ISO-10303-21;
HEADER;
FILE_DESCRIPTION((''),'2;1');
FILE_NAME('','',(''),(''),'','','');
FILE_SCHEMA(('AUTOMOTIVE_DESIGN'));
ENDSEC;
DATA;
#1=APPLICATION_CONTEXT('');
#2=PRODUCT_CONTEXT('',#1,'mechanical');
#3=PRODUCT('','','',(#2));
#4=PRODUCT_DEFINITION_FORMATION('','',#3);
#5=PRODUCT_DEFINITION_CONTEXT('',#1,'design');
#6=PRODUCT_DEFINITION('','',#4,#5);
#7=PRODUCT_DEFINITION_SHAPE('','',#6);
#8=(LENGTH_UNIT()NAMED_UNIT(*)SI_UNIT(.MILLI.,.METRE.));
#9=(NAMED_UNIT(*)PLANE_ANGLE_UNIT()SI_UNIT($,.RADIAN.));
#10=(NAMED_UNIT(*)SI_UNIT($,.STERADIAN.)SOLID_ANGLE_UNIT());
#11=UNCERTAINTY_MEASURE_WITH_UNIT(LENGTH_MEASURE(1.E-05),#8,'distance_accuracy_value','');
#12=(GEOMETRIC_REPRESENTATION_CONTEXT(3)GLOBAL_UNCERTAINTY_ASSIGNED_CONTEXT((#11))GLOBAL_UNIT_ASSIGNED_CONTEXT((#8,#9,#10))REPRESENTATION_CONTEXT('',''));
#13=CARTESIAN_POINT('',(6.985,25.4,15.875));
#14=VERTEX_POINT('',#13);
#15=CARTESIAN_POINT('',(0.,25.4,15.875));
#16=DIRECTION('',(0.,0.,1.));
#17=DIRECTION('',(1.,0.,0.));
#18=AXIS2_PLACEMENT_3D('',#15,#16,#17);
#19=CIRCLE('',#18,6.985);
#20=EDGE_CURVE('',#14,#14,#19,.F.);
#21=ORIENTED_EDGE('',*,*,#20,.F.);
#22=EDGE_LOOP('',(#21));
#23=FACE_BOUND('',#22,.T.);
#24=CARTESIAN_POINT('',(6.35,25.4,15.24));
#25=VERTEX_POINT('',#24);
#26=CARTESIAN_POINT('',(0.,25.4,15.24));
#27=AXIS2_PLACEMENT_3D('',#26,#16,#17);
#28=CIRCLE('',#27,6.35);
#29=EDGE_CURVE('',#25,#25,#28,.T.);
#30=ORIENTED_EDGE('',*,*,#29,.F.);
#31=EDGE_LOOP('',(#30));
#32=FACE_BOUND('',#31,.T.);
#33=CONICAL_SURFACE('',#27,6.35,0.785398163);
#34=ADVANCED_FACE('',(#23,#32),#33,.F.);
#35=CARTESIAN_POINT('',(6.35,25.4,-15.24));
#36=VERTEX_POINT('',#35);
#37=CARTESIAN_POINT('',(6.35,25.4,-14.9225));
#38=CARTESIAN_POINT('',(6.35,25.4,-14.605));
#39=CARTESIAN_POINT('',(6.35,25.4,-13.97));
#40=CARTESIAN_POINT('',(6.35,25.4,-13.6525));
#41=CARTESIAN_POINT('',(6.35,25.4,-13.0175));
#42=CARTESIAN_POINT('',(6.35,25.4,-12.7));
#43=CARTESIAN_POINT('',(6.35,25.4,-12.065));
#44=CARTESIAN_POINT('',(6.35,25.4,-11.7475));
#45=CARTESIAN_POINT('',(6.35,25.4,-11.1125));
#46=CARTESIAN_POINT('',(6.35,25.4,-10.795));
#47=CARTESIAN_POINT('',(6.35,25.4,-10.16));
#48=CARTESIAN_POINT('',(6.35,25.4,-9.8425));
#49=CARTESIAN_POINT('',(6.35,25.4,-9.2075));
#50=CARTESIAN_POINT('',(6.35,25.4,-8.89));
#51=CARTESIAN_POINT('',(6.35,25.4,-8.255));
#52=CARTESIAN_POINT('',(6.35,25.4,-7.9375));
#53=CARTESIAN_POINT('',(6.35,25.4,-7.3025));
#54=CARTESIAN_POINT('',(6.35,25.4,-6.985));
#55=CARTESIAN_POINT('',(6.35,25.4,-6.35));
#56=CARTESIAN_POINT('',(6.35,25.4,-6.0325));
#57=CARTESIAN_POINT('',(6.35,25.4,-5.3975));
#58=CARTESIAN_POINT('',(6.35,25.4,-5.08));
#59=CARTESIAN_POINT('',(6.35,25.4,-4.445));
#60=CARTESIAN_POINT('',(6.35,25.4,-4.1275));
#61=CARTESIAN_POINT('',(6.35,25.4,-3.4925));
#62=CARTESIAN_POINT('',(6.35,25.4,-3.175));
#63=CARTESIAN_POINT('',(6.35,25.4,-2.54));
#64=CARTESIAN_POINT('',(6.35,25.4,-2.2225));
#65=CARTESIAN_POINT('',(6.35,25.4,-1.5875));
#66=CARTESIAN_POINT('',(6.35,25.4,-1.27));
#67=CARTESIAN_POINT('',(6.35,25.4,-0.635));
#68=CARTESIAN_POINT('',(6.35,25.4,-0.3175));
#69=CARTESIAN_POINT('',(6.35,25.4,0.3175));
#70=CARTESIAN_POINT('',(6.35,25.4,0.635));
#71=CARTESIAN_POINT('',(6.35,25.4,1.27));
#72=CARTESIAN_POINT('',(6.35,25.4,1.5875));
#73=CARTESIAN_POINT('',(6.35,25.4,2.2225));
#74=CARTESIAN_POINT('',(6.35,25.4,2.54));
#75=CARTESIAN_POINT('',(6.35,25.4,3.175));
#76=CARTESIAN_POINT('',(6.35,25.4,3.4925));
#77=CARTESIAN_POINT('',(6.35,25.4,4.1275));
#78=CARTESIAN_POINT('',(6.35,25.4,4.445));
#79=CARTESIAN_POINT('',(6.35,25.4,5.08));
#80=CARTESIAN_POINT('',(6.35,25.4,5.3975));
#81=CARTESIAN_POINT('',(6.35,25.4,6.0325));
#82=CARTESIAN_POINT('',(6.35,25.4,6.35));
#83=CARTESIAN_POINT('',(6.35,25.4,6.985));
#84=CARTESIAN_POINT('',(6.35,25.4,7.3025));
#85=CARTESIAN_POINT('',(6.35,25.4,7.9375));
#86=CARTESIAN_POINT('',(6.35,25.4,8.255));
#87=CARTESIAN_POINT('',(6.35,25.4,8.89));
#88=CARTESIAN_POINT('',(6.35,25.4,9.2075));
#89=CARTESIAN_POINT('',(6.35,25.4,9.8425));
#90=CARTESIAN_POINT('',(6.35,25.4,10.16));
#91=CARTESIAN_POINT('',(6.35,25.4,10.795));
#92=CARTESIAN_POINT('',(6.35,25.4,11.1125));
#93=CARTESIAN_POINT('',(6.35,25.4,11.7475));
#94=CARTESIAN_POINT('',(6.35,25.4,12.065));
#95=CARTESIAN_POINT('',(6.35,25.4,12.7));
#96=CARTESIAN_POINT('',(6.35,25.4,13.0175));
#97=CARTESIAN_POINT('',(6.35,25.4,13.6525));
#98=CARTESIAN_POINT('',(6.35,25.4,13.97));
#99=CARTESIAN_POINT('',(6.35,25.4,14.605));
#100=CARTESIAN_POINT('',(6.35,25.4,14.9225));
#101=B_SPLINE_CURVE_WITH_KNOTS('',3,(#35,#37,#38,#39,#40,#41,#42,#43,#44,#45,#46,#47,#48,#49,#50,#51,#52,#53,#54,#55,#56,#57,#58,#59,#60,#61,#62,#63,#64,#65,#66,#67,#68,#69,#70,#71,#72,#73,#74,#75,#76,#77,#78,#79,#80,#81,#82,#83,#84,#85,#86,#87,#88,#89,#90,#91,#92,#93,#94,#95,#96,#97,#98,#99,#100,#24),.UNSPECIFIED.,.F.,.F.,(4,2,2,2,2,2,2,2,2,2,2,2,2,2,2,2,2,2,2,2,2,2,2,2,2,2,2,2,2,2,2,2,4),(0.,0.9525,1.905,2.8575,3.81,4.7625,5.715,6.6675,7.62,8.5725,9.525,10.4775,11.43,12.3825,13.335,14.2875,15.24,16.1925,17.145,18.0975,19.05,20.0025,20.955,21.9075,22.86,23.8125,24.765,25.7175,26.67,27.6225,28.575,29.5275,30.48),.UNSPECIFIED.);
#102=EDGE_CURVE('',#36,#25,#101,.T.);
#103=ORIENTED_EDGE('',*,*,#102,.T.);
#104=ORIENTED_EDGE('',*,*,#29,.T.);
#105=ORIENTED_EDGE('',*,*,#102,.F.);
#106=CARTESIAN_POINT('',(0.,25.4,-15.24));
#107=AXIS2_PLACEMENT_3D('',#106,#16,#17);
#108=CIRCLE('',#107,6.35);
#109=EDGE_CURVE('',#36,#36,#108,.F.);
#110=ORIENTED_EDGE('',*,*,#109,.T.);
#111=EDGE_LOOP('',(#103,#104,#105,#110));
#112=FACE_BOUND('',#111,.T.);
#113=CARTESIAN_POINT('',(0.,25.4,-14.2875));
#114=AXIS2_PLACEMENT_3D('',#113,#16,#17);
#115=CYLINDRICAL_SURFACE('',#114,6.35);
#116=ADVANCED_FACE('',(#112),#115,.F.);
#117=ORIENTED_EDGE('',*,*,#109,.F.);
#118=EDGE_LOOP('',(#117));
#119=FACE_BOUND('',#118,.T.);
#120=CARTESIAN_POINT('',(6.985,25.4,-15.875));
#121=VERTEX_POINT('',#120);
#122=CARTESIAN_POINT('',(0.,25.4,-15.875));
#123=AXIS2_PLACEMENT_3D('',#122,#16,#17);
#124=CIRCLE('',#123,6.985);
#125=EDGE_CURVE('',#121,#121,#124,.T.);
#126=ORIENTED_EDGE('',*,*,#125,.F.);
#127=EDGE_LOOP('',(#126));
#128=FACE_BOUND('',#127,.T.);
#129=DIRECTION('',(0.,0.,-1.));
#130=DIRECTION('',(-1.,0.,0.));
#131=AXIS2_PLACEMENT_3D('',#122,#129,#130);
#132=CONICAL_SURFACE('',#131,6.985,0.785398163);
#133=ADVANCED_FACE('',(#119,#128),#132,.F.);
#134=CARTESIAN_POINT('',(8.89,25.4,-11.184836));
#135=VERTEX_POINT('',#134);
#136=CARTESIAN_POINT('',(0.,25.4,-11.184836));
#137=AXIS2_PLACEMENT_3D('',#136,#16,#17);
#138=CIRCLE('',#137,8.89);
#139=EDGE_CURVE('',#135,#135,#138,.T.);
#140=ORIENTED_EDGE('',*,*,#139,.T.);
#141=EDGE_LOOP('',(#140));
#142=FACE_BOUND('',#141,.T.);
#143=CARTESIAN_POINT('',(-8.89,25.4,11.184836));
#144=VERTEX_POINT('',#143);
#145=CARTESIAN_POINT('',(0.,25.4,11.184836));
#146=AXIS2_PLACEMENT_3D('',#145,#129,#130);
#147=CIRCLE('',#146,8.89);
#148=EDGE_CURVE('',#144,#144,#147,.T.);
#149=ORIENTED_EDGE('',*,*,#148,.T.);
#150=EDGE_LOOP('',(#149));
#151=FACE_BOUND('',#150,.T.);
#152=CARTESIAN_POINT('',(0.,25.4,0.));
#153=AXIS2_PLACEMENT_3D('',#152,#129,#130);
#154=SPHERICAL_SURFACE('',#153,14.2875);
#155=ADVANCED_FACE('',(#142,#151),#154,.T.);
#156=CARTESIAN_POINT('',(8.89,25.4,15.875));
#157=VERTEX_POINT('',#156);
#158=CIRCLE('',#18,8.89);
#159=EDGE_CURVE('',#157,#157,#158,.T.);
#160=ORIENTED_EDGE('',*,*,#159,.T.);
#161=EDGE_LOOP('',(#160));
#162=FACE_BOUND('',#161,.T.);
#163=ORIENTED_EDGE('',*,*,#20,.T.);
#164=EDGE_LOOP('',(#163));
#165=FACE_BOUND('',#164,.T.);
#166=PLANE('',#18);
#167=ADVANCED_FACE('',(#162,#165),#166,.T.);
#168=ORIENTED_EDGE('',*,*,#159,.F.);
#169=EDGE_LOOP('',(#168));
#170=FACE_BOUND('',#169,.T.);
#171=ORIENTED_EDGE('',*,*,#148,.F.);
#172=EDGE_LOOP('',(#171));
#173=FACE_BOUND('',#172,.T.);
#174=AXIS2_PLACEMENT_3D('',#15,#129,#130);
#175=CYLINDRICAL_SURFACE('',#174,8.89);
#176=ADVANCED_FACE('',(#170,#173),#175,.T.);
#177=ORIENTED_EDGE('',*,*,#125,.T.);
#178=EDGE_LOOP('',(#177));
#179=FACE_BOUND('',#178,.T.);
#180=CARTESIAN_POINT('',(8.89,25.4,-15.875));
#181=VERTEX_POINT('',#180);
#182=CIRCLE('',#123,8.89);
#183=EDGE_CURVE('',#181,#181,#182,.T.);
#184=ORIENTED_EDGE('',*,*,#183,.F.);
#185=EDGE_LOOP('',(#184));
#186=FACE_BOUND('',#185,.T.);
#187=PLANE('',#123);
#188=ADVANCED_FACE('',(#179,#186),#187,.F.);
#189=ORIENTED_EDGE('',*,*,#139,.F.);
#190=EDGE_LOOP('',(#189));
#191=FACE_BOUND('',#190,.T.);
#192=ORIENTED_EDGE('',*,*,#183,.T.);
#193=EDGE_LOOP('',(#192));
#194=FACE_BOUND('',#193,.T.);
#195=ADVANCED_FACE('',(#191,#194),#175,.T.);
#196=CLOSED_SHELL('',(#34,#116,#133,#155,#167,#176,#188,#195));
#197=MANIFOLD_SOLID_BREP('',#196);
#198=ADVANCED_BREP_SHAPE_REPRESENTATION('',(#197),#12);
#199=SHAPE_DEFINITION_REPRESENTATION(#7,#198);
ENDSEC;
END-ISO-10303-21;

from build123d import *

# Parameters (mm, degrees)
CUT_EXTRUDE4_DEPTH      = 45.534963442
CUT_EXTRUDE4_DEPTH_BACK = 45.534963442
SKETCH10_R              = 6.35
SKETCH12_R              = 8.89
SKETCH12_R_2            = 6.35
EXTRUDE1_DEPTH          = 15.875
CHAMFER1_SIZE           = 0.635


with BuildPart() as part:
    # Sketch7 → Revolve3 (revolve)
    with BuildSketch(Plane.XY):
        with BuildLine():
            Line((0, 39.6875), (0, 11.1125))
            ThreePointArc((0, 11.1125), (14.2875, 25.4), (0, 39.6875))
        make_face()
    revolve(axis=Axis((0, 0, 0), (0, 1, 0)))

    # Sketch10 → Cut-Extrude4 (cut, two sides: drawn at the far end of the back side and taken through both)
    with BuildSketch(Plane.XY.offset(-CUT_EXTRUDE4_DEPTH_BACK)):
        with Locations((0, 25.4)):
            Circle(SKETCH10_R)
    extrude(amount=CUT_EXTRUDE4_DEPTH + CUT_EXTRUDE4_DEPTH_BACK, mode=Mode.SUBTRACT)

    # Sketch12 → Extrude1 (add, symmetric)
    with BuildSketch(Plane.XY):
        with Locations(Location((0, 25.4, 0), (0, 0, 180))):
            Circle(SKETCH12_R)
        with Locations((0, 25.4)):
            Circle(SKETCH12_R_2, mode=Mode.SUBTRACT)
    extrude(amount=EXTRUDE1_DEPTH, both=True)

    # Chamfer1
    chamfer1_edges = [part.edges().sort_by_distance(p)[0] for p in [
        (-6.35, 25.4, -15.875),
        (-6.35, 25.4, 15.875),
    ]]
    chamfer(chamfer1_edges, length=CHAMFER1_SIZE)


solid = part.part
